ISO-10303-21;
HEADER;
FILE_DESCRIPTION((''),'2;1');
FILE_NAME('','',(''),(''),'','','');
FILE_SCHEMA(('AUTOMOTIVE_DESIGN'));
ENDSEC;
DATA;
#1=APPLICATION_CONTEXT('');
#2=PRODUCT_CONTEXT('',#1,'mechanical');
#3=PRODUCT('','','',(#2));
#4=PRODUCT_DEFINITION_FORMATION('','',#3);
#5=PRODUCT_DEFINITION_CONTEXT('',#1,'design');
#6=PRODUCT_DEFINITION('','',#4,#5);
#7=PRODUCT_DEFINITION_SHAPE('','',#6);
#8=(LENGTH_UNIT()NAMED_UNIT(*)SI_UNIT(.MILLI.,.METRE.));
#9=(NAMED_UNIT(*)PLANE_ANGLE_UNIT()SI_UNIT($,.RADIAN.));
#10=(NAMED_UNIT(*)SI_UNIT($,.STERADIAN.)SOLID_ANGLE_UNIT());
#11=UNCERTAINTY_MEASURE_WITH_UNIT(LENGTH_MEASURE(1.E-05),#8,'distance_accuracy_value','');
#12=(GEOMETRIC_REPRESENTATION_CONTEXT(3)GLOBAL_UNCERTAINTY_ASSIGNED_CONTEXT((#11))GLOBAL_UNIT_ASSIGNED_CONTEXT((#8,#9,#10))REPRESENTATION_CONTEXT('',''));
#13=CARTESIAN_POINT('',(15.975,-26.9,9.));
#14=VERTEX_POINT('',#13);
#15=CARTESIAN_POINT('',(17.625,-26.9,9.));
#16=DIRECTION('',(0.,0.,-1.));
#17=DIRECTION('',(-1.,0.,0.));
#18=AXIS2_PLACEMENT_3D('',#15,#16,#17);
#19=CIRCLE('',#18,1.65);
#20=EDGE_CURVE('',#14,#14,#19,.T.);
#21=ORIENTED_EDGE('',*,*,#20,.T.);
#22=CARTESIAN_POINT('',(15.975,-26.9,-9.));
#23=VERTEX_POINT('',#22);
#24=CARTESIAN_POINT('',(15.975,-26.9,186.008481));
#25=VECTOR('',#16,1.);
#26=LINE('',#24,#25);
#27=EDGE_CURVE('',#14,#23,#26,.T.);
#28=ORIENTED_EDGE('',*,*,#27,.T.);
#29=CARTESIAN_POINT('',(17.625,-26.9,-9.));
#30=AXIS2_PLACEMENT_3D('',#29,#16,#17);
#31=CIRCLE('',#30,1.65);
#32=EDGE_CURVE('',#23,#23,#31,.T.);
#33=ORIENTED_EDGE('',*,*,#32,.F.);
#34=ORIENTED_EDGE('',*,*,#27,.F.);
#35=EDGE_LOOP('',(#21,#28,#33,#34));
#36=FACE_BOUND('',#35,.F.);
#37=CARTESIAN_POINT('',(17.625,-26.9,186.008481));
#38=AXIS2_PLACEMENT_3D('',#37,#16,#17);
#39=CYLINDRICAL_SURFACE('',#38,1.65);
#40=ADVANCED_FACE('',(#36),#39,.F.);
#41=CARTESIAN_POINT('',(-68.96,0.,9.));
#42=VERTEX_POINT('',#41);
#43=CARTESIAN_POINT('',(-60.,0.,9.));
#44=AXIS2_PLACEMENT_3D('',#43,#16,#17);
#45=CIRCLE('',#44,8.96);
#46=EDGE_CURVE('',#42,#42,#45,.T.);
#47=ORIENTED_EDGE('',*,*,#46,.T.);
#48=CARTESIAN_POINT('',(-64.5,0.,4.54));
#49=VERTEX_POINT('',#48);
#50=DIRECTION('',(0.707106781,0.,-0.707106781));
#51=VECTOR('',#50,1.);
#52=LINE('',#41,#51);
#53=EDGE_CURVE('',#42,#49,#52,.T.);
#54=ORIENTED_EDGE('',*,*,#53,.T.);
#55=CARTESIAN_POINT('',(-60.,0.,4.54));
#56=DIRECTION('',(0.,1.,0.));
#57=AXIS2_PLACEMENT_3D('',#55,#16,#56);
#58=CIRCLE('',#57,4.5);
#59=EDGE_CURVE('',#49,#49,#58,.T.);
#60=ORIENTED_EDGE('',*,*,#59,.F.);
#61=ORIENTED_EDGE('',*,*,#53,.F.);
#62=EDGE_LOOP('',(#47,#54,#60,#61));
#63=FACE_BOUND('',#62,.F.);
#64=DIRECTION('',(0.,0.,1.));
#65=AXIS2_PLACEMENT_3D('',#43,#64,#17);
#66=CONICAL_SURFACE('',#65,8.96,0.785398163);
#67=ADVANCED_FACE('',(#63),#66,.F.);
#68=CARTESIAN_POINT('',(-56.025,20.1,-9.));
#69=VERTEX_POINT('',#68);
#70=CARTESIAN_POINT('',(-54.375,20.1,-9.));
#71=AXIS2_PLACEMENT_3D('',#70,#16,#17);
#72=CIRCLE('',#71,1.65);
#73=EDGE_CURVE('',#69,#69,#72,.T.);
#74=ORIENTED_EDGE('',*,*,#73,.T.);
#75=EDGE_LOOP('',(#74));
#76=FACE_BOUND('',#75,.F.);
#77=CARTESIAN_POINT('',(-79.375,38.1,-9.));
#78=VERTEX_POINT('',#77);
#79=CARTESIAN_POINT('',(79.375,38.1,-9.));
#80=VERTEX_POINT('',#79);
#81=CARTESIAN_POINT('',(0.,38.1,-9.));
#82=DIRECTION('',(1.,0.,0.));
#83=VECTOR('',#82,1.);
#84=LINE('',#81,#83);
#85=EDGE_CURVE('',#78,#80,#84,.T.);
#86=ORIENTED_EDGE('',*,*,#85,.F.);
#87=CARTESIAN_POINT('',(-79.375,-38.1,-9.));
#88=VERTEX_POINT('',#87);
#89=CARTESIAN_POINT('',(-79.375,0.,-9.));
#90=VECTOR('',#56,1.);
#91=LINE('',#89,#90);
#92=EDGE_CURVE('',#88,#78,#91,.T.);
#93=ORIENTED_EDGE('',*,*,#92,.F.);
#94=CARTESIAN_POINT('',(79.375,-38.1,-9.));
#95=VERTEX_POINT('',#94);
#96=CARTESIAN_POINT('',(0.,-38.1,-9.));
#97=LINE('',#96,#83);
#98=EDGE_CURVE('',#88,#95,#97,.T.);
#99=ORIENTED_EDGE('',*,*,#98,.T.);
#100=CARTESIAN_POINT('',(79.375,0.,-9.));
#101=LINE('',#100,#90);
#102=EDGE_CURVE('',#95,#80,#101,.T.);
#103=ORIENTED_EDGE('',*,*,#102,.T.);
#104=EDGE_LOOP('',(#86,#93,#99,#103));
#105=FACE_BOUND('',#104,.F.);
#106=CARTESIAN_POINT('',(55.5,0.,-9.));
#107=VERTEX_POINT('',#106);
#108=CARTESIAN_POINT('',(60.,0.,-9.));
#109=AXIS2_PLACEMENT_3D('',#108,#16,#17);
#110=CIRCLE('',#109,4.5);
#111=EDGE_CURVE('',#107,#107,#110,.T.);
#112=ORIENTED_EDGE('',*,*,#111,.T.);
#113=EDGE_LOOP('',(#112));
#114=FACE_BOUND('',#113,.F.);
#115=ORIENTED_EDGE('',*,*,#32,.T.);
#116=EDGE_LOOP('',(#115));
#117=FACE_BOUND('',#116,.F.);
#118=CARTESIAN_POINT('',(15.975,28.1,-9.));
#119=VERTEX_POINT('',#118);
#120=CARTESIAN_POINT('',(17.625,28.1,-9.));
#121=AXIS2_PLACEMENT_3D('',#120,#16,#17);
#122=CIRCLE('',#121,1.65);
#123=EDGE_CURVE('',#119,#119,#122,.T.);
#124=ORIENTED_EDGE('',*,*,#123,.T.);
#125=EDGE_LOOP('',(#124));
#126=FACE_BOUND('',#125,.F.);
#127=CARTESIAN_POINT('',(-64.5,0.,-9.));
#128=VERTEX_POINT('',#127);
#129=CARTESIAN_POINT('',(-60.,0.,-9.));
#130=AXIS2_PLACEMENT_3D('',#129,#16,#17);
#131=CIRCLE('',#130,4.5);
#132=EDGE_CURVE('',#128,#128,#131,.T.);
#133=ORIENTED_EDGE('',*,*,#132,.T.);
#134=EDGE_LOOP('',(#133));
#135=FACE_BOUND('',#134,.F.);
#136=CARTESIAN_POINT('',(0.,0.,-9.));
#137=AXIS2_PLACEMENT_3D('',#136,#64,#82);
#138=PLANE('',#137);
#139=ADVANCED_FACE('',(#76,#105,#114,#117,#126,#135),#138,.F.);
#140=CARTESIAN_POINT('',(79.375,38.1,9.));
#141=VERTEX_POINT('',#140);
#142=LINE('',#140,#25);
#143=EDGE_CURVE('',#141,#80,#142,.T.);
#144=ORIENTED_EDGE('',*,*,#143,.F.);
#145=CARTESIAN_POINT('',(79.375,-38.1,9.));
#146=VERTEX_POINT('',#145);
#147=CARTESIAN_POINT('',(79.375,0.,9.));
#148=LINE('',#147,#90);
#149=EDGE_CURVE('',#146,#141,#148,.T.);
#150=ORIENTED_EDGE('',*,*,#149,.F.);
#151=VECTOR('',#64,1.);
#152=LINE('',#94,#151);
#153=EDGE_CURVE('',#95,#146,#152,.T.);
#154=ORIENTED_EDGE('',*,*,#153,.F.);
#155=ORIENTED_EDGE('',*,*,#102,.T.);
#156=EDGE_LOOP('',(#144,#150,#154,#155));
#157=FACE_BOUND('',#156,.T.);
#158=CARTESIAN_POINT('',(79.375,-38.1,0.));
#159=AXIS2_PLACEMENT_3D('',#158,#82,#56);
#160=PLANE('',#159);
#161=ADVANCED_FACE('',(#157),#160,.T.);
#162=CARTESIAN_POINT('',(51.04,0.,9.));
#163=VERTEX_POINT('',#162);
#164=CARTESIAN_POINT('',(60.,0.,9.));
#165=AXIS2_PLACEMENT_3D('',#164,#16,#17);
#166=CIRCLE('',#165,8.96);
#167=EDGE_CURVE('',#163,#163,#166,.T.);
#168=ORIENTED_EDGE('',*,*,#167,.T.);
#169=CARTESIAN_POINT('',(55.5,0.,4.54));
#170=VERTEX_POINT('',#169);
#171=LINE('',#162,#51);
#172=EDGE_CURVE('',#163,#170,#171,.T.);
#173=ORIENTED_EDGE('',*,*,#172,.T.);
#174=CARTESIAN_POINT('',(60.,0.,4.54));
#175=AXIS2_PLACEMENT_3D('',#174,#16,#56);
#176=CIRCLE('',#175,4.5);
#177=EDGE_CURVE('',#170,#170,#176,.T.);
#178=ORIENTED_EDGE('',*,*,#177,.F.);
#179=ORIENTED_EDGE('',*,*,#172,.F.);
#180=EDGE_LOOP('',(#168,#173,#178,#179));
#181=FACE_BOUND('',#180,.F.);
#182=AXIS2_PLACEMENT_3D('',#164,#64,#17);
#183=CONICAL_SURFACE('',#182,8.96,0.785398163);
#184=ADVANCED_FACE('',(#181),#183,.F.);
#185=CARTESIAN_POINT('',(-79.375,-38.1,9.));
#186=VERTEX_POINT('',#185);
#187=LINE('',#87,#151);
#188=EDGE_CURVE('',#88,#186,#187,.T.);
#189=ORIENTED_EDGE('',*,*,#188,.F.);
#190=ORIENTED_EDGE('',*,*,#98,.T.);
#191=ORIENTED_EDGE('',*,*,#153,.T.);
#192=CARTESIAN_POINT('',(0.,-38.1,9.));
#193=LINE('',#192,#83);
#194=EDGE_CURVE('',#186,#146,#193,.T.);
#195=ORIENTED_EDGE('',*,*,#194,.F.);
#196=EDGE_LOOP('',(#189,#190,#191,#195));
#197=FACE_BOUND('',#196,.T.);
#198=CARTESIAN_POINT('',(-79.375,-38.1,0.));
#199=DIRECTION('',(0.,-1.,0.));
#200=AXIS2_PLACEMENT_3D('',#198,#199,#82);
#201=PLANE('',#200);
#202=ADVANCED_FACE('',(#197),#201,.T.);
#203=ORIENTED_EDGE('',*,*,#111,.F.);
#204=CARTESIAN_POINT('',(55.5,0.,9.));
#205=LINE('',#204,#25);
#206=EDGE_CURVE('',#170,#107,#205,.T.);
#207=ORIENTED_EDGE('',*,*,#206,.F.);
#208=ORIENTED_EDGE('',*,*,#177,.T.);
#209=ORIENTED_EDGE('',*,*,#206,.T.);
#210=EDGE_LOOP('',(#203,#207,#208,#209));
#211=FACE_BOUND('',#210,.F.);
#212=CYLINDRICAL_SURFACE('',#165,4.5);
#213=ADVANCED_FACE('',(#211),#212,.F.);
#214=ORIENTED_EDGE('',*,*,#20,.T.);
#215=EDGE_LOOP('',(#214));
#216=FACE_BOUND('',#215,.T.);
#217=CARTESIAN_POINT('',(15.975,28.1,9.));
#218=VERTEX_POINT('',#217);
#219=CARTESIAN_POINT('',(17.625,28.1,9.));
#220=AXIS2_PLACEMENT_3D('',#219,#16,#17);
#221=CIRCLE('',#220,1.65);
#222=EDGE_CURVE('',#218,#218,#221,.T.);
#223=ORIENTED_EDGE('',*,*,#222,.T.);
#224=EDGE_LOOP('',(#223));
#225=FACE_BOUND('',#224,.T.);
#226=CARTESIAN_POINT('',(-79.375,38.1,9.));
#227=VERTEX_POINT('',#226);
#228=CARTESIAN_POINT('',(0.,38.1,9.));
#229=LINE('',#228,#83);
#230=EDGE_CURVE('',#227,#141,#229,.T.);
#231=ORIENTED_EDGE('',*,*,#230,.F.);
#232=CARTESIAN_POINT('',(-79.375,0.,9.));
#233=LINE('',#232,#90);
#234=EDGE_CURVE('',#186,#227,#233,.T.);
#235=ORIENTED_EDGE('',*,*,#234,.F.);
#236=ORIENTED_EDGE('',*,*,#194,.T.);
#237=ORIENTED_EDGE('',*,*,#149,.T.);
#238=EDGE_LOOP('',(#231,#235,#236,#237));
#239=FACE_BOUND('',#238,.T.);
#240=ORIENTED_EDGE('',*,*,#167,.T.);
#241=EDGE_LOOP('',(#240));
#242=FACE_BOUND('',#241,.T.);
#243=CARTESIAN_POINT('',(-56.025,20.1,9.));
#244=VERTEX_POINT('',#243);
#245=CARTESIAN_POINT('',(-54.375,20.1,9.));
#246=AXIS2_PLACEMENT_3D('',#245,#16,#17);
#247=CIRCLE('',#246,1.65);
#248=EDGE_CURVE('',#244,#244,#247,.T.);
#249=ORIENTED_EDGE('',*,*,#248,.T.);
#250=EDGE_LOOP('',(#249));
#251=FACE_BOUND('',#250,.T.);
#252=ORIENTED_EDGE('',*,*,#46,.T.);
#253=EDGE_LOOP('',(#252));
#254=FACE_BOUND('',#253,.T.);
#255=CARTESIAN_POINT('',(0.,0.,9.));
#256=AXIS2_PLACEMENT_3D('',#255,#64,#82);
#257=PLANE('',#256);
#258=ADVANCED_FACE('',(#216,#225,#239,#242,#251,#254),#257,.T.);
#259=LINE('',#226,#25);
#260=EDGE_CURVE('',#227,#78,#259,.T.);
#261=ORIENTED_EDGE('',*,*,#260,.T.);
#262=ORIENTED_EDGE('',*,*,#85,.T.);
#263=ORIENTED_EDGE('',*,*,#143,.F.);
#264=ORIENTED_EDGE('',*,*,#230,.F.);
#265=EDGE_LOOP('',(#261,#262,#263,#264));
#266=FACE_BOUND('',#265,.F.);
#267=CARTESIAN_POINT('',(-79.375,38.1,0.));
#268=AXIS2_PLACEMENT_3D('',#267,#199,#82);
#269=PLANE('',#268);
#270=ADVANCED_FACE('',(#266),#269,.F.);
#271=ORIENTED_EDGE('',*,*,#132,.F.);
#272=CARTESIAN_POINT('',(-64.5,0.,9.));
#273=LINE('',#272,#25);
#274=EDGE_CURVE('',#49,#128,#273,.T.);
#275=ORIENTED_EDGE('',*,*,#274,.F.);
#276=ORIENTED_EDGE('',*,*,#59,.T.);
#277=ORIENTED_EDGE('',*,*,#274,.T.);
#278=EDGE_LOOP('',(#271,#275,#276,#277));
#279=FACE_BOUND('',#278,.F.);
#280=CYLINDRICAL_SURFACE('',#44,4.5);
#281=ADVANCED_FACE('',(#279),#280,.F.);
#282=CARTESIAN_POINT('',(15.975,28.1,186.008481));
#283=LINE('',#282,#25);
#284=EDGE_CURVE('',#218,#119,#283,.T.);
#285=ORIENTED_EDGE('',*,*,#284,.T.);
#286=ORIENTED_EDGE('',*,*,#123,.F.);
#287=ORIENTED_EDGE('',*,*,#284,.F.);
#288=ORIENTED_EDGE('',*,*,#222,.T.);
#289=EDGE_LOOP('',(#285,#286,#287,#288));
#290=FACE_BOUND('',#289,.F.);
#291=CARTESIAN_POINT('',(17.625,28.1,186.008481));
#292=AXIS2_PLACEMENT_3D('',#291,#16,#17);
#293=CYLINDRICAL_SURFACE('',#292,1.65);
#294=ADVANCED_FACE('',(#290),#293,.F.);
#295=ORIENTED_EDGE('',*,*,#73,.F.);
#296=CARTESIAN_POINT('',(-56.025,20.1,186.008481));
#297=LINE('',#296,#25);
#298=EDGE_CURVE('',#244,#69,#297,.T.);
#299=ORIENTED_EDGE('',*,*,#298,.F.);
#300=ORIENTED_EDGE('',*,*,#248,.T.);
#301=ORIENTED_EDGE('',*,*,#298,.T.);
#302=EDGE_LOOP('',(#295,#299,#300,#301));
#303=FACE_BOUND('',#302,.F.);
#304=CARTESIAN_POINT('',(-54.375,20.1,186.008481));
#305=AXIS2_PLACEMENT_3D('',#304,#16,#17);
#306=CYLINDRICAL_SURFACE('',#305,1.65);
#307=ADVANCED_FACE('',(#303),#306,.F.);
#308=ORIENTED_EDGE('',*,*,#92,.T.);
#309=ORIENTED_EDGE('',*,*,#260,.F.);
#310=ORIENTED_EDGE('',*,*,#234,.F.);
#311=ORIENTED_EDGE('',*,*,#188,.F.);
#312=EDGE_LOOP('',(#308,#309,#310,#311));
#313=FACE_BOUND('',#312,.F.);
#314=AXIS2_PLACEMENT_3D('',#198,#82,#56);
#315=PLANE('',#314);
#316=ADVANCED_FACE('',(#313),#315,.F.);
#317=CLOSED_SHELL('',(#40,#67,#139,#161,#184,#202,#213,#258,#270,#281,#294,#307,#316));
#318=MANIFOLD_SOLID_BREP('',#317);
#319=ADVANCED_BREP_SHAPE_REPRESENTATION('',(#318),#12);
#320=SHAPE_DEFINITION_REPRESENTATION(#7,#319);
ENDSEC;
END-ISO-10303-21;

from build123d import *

# Parameters (mm, degrees)
F0_W           = 158.75
F0_H           = 76.2
F1_DEPTH       = 9
F3_D           = 9
F3_CSINK_D     = 17.92
F3_CSINK_ANGLE = 90
F5_D           = 3.3


with BuildPart() as f1:
    # F0 (on Top) → F1 (new body, symmetric)
    with BuildSketch(Plane.XY):
        Rectangle(F0_W, F0_H)
    extrude(amount=F1_DEPTH, both=True)

    # F3 (through all)
    with Locations(Plane.XY.offset(9)):
        with Locations((-60, 0), (60, 0)):
            CounterSinkHole(F3_D / 2, F3_CSINK_D / 2, counter_sink_angle=F3_CSINK_ANGLE)

    # F5 (through all)
    with Locations(Plane.XY.offset(9)):
        with Locations((-54.375, 20.1), (17.625, 28.1), (17.625, -26.9)):
            Hole(F5_D / 2)


solid = f1.part
